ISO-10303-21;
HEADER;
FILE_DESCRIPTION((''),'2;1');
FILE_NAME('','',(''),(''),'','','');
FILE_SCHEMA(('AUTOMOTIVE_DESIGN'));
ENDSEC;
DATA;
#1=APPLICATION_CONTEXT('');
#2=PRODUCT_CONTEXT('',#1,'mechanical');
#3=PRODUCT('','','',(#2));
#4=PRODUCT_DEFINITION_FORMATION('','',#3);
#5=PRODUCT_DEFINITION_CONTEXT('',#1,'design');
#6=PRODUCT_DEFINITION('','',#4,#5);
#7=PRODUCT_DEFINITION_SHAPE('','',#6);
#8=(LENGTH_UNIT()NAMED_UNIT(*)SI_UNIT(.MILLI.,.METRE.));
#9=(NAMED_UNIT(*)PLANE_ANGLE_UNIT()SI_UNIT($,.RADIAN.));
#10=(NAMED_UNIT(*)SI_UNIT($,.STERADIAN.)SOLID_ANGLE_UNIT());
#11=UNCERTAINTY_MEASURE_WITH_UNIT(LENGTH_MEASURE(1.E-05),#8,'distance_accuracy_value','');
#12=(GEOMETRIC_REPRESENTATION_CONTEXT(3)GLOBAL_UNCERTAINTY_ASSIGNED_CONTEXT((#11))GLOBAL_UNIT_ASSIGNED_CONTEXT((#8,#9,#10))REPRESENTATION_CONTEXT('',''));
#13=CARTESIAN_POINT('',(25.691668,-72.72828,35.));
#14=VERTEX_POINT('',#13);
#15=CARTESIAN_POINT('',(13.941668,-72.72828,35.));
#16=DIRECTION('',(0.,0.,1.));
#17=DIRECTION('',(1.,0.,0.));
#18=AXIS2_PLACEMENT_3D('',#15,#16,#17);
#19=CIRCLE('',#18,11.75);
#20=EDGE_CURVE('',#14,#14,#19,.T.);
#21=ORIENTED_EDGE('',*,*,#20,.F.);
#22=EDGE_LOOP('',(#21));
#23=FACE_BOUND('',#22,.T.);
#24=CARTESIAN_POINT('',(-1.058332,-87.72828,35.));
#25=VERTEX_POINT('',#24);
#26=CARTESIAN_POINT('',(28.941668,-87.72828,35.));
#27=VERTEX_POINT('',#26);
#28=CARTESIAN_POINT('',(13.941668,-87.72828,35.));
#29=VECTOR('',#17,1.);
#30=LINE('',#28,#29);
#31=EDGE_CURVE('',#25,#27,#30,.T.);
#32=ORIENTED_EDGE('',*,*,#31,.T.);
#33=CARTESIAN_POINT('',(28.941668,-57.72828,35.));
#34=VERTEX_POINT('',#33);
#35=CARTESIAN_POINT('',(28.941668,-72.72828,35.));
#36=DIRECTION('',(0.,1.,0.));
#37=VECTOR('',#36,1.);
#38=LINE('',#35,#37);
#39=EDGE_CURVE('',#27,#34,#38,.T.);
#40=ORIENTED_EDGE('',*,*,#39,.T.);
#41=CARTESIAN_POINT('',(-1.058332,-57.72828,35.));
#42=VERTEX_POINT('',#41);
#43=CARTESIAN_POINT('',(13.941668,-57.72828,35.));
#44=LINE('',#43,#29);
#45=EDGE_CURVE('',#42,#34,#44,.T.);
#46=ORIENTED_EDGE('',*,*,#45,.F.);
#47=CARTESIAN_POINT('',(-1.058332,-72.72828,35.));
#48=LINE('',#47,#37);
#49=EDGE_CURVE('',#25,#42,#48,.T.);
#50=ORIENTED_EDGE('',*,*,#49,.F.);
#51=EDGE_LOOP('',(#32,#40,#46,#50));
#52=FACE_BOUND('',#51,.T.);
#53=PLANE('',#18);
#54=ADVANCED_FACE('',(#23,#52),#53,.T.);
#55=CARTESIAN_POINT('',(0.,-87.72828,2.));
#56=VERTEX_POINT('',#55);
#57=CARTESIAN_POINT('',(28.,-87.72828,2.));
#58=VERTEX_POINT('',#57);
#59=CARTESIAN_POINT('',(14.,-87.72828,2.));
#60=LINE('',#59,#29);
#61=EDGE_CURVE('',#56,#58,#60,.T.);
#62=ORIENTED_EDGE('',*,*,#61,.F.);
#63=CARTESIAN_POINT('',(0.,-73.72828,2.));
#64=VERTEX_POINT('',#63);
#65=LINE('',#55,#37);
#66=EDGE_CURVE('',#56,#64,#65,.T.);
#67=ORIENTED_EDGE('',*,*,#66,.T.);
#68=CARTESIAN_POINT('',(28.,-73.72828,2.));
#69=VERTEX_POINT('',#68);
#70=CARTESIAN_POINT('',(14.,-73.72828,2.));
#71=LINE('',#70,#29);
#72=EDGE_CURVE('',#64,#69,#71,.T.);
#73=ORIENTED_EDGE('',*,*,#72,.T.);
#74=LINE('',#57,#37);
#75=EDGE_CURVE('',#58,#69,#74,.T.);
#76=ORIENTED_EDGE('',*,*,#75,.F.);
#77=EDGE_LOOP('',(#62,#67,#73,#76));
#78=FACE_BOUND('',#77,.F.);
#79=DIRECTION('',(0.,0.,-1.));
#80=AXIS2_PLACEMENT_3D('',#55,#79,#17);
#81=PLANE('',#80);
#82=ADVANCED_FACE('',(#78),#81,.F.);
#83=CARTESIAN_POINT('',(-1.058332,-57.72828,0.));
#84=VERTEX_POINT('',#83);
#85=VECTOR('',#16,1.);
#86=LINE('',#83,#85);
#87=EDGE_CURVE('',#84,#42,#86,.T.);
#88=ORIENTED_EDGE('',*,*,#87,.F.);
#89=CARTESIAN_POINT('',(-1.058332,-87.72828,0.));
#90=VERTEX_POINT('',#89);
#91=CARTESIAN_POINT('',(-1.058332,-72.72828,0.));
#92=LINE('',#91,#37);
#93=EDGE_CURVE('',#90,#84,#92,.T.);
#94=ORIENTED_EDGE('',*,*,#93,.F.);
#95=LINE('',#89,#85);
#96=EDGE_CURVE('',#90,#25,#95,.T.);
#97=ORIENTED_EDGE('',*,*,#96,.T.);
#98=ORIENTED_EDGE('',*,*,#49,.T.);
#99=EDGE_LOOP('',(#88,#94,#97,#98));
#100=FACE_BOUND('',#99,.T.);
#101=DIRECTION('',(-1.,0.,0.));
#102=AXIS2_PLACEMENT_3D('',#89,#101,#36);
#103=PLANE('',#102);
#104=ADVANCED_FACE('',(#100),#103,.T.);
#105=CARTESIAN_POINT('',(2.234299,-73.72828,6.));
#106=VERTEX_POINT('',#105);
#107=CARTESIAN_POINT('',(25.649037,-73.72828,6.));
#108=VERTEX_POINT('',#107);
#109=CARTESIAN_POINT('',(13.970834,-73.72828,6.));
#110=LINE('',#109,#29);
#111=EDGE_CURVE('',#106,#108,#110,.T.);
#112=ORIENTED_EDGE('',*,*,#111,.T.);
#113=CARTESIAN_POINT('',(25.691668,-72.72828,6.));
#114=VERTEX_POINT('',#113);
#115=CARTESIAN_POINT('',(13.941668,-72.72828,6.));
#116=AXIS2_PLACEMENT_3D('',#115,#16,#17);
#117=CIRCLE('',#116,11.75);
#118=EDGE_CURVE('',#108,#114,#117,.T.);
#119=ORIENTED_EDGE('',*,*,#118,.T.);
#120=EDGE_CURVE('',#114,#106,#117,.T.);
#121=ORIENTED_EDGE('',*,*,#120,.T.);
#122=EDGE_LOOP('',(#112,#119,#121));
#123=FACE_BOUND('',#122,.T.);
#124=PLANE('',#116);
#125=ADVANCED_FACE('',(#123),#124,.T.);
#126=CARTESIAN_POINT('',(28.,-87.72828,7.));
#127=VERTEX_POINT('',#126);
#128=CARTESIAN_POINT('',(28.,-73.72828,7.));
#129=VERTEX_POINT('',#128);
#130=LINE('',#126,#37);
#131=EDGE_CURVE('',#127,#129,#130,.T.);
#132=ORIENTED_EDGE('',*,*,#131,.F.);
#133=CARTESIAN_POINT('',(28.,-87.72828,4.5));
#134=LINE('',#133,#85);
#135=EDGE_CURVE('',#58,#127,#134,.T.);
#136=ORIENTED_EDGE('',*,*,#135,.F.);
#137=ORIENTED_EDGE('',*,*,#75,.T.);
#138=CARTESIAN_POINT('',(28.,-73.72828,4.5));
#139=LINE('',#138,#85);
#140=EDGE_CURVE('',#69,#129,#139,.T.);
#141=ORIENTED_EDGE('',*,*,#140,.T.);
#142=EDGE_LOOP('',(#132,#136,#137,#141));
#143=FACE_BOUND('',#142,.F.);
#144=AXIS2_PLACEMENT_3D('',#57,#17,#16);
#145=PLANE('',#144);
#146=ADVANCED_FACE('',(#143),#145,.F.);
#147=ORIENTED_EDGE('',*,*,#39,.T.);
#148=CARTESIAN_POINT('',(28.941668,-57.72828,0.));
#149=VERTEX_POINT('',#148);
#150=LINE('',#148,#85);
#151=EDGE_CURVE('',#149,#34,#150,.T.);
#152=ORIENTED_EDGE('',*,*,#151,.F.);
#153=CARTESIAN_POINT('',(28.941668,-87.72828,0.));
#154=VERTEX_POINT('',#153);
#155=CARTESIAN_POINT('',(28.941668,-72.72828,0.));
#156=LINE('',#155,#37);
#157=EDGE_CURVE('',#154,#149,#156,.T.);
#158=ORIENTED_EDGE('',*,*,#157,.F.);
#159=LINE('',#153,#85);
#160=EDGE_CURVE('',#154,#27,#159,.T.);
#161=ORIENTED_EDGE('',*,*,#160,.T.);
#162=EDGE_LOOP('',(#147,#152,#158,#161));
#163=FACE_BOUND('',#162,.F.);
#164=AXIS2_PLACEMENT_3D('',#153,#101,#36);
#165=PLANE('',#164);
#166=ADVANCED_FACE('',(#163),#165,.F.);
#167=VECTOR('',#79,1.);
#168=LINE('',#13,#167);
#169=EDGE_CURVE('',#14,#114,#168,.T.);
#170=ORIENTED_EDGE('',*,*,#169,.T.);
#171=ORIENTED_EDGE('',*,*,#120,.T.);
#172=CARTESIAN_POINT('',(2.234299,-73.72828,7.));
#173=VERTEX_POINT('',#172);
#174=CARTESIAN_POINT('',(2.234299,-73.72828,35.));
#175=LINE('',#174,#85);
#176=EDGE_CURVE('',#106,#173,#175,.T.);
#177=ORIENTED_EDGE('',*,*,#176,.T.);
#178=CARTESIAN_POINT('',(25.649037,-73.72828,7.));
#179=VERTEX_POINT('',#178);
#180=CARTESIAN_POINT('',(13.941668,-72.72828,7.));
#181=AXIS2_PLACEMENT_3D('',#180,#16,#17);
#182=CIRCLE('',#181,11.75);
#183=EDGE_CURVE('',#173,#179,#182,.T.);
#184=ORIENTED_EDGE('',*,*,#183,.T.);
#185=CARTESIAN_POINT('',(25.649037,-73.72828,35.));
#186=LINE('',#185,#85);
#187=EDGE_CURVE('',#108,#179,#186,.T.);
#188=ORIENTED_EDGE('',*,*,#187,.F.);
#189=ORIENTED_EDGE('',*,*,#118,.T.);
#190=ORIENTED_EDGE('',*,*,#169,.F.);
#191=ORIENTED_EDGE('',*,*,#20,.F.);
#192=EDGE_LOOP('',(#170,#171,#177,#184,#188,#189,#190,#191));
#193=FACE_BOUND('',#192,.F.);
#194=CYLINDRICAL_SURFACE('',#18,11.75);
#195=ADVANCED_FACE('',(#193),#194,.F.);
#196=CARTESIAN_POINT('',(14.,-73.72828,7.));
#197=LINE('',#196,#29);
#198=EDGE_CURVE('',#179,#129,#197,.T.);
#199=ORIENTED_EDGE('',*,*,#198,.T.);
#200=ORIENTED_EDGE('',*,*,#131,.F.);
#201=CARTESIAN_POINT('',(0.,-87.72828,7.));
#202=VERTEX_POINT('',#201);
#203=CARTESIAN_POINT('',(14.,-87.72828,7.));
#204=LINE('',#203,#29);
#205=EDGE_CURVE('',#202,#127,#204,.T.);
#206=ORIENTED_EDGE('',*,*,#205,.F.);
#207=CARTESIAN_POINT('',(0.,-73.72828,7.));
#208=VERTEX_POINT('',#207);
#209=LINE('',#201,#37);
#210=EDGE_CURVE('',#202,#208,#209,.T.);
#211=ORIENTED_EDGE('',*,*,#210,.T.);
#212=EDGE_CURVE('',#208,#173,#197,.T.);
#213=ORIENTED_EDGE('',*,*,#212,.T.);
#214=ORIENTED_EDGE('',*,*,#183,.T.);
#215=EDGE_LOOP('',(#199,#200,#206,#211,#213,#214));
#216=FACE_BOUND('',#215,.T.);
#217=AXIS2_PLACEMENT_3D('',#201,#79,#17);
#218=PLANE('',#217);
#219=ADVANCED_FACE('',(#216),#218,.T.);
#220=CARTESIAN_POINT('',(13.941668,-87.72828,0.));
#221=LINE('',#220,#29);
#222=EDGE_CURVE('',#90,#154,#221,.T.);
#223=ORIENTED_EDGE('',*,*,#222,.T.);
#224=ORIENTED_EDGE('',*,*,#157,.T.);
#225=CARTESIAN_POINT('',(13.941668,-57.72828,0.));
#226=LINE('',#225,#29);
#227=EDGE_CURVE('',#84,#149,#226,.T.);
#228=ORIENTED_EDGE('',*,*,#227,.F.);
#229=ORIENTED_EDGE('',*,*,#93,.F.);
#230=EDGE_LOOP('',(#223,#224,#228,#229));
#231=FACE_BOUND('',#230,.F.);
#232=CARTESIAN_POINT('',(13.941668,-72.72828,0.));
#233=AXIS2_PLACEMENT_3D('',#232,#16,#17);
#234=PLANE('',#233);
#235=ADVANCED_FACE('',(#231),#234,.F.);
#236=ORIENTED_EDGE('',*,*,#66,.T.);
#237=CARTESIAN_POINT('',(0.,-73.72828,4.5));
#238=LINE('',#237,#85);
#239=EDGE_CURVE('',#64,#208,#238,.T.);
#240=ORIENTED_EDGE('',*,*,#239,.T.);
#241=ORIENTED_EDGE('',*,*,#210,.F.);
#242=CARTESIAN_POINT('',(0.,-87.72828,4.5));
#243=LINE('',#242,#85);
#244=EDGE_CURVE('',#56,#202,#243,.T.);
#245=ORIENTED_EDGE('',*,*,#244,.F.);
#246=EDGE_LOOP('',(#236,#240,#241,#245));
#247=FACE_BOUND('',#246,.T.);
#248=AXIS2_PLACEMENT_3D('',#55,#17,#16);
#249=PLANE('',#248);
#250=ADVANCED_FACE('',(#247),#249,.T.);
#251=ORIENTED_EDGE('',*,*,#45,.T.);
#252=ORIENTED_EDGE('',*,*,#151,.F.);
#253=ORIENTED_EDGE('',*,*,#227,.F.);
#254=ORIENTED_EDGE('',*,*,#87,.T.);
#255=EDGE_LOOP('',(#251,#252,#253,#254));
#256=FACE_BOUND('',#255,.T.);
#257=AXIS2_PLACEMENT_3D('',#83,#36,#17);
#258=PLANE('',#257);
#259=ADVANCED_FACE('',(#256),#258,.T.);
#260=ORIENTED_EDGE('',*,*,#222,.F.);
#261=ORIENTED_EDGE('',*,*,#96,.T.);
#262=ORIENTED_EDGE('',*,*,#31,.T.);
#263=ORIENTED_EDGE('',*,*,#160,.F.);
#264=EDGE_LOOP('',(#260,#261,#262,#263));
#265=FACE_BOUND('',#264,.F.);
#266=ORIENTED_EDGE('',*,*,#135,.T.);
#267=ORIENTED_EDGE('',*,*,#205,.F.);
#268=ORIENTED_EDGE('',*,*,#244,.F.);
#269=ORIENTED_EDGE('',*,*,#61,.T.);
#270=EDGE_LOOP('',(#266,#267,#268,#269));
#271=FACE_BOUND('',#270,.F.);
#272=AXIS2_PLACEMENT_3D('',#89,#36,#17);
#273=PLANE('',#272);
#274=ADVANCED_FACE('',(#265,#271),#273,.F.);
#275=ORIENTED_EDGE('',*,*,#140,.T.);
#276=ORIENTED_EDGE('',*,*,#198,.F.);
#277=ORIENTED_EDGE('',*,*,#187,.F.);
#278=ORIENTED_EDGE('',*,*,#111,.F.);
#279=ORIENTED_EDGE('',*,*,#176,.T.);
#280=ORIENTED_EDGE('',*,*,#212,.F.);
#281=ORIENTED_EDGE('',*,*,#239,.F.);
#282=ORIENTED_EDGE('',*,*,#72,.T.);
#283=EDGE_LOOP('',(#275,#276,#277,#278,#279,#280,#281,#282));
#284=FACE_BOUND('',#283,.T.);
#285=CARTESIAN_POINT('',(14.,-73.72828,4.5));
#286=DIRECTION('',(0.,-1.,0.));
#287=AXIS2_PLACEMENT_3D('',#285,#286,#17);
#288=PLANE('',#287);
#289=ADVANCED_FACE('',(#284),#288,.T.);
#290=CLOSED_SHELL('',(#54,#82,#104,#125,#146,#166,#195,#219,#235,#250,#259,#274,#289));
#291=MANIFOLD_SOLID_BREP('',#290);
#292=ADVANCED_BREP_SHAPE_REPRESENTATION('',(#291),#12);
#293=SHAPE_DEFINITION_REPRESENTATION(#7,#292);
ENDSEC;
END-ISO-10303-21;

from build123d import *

# Parameters (mm, degrees)
F0_W     = 30
F0_H     = 30
F1_DEPTH = 35
F2_R     = 11.75
F3_DEPTH = 29
F4_W     = 28
F4_H     = 5
F5_DEPTH = 14


with BuildPart() as f1:
    # F0 (on Top) → F1 (new body)
    with BuildSketch(Plane.XY):
        with Locations((13.941668, -72.72828)):
            Rectangle(F0_W, F0_H)
    extrude(amount=F1_DEPTH)

    # F2 (on face) → F3 (cut)
    with BuildSketch(Plane.XY.offset(35)):
        with Locations((13.941668, -72.72828)):
            Circle(F2_R)
    extrude(amount=-F3_DEPTH, mode=Mode.SUBTRACT)

    # F4 (on face) → F5 (cut)
    with BuildSketch(Plane.XZ.offset(87.72828)):
        with Locations((14, 4.5)):
            Rectangle(F4_W, F4_H)
    extrude(amount=-F5_DEPTH, mode=Mode.SUBTRACT)


solid = f1.part
